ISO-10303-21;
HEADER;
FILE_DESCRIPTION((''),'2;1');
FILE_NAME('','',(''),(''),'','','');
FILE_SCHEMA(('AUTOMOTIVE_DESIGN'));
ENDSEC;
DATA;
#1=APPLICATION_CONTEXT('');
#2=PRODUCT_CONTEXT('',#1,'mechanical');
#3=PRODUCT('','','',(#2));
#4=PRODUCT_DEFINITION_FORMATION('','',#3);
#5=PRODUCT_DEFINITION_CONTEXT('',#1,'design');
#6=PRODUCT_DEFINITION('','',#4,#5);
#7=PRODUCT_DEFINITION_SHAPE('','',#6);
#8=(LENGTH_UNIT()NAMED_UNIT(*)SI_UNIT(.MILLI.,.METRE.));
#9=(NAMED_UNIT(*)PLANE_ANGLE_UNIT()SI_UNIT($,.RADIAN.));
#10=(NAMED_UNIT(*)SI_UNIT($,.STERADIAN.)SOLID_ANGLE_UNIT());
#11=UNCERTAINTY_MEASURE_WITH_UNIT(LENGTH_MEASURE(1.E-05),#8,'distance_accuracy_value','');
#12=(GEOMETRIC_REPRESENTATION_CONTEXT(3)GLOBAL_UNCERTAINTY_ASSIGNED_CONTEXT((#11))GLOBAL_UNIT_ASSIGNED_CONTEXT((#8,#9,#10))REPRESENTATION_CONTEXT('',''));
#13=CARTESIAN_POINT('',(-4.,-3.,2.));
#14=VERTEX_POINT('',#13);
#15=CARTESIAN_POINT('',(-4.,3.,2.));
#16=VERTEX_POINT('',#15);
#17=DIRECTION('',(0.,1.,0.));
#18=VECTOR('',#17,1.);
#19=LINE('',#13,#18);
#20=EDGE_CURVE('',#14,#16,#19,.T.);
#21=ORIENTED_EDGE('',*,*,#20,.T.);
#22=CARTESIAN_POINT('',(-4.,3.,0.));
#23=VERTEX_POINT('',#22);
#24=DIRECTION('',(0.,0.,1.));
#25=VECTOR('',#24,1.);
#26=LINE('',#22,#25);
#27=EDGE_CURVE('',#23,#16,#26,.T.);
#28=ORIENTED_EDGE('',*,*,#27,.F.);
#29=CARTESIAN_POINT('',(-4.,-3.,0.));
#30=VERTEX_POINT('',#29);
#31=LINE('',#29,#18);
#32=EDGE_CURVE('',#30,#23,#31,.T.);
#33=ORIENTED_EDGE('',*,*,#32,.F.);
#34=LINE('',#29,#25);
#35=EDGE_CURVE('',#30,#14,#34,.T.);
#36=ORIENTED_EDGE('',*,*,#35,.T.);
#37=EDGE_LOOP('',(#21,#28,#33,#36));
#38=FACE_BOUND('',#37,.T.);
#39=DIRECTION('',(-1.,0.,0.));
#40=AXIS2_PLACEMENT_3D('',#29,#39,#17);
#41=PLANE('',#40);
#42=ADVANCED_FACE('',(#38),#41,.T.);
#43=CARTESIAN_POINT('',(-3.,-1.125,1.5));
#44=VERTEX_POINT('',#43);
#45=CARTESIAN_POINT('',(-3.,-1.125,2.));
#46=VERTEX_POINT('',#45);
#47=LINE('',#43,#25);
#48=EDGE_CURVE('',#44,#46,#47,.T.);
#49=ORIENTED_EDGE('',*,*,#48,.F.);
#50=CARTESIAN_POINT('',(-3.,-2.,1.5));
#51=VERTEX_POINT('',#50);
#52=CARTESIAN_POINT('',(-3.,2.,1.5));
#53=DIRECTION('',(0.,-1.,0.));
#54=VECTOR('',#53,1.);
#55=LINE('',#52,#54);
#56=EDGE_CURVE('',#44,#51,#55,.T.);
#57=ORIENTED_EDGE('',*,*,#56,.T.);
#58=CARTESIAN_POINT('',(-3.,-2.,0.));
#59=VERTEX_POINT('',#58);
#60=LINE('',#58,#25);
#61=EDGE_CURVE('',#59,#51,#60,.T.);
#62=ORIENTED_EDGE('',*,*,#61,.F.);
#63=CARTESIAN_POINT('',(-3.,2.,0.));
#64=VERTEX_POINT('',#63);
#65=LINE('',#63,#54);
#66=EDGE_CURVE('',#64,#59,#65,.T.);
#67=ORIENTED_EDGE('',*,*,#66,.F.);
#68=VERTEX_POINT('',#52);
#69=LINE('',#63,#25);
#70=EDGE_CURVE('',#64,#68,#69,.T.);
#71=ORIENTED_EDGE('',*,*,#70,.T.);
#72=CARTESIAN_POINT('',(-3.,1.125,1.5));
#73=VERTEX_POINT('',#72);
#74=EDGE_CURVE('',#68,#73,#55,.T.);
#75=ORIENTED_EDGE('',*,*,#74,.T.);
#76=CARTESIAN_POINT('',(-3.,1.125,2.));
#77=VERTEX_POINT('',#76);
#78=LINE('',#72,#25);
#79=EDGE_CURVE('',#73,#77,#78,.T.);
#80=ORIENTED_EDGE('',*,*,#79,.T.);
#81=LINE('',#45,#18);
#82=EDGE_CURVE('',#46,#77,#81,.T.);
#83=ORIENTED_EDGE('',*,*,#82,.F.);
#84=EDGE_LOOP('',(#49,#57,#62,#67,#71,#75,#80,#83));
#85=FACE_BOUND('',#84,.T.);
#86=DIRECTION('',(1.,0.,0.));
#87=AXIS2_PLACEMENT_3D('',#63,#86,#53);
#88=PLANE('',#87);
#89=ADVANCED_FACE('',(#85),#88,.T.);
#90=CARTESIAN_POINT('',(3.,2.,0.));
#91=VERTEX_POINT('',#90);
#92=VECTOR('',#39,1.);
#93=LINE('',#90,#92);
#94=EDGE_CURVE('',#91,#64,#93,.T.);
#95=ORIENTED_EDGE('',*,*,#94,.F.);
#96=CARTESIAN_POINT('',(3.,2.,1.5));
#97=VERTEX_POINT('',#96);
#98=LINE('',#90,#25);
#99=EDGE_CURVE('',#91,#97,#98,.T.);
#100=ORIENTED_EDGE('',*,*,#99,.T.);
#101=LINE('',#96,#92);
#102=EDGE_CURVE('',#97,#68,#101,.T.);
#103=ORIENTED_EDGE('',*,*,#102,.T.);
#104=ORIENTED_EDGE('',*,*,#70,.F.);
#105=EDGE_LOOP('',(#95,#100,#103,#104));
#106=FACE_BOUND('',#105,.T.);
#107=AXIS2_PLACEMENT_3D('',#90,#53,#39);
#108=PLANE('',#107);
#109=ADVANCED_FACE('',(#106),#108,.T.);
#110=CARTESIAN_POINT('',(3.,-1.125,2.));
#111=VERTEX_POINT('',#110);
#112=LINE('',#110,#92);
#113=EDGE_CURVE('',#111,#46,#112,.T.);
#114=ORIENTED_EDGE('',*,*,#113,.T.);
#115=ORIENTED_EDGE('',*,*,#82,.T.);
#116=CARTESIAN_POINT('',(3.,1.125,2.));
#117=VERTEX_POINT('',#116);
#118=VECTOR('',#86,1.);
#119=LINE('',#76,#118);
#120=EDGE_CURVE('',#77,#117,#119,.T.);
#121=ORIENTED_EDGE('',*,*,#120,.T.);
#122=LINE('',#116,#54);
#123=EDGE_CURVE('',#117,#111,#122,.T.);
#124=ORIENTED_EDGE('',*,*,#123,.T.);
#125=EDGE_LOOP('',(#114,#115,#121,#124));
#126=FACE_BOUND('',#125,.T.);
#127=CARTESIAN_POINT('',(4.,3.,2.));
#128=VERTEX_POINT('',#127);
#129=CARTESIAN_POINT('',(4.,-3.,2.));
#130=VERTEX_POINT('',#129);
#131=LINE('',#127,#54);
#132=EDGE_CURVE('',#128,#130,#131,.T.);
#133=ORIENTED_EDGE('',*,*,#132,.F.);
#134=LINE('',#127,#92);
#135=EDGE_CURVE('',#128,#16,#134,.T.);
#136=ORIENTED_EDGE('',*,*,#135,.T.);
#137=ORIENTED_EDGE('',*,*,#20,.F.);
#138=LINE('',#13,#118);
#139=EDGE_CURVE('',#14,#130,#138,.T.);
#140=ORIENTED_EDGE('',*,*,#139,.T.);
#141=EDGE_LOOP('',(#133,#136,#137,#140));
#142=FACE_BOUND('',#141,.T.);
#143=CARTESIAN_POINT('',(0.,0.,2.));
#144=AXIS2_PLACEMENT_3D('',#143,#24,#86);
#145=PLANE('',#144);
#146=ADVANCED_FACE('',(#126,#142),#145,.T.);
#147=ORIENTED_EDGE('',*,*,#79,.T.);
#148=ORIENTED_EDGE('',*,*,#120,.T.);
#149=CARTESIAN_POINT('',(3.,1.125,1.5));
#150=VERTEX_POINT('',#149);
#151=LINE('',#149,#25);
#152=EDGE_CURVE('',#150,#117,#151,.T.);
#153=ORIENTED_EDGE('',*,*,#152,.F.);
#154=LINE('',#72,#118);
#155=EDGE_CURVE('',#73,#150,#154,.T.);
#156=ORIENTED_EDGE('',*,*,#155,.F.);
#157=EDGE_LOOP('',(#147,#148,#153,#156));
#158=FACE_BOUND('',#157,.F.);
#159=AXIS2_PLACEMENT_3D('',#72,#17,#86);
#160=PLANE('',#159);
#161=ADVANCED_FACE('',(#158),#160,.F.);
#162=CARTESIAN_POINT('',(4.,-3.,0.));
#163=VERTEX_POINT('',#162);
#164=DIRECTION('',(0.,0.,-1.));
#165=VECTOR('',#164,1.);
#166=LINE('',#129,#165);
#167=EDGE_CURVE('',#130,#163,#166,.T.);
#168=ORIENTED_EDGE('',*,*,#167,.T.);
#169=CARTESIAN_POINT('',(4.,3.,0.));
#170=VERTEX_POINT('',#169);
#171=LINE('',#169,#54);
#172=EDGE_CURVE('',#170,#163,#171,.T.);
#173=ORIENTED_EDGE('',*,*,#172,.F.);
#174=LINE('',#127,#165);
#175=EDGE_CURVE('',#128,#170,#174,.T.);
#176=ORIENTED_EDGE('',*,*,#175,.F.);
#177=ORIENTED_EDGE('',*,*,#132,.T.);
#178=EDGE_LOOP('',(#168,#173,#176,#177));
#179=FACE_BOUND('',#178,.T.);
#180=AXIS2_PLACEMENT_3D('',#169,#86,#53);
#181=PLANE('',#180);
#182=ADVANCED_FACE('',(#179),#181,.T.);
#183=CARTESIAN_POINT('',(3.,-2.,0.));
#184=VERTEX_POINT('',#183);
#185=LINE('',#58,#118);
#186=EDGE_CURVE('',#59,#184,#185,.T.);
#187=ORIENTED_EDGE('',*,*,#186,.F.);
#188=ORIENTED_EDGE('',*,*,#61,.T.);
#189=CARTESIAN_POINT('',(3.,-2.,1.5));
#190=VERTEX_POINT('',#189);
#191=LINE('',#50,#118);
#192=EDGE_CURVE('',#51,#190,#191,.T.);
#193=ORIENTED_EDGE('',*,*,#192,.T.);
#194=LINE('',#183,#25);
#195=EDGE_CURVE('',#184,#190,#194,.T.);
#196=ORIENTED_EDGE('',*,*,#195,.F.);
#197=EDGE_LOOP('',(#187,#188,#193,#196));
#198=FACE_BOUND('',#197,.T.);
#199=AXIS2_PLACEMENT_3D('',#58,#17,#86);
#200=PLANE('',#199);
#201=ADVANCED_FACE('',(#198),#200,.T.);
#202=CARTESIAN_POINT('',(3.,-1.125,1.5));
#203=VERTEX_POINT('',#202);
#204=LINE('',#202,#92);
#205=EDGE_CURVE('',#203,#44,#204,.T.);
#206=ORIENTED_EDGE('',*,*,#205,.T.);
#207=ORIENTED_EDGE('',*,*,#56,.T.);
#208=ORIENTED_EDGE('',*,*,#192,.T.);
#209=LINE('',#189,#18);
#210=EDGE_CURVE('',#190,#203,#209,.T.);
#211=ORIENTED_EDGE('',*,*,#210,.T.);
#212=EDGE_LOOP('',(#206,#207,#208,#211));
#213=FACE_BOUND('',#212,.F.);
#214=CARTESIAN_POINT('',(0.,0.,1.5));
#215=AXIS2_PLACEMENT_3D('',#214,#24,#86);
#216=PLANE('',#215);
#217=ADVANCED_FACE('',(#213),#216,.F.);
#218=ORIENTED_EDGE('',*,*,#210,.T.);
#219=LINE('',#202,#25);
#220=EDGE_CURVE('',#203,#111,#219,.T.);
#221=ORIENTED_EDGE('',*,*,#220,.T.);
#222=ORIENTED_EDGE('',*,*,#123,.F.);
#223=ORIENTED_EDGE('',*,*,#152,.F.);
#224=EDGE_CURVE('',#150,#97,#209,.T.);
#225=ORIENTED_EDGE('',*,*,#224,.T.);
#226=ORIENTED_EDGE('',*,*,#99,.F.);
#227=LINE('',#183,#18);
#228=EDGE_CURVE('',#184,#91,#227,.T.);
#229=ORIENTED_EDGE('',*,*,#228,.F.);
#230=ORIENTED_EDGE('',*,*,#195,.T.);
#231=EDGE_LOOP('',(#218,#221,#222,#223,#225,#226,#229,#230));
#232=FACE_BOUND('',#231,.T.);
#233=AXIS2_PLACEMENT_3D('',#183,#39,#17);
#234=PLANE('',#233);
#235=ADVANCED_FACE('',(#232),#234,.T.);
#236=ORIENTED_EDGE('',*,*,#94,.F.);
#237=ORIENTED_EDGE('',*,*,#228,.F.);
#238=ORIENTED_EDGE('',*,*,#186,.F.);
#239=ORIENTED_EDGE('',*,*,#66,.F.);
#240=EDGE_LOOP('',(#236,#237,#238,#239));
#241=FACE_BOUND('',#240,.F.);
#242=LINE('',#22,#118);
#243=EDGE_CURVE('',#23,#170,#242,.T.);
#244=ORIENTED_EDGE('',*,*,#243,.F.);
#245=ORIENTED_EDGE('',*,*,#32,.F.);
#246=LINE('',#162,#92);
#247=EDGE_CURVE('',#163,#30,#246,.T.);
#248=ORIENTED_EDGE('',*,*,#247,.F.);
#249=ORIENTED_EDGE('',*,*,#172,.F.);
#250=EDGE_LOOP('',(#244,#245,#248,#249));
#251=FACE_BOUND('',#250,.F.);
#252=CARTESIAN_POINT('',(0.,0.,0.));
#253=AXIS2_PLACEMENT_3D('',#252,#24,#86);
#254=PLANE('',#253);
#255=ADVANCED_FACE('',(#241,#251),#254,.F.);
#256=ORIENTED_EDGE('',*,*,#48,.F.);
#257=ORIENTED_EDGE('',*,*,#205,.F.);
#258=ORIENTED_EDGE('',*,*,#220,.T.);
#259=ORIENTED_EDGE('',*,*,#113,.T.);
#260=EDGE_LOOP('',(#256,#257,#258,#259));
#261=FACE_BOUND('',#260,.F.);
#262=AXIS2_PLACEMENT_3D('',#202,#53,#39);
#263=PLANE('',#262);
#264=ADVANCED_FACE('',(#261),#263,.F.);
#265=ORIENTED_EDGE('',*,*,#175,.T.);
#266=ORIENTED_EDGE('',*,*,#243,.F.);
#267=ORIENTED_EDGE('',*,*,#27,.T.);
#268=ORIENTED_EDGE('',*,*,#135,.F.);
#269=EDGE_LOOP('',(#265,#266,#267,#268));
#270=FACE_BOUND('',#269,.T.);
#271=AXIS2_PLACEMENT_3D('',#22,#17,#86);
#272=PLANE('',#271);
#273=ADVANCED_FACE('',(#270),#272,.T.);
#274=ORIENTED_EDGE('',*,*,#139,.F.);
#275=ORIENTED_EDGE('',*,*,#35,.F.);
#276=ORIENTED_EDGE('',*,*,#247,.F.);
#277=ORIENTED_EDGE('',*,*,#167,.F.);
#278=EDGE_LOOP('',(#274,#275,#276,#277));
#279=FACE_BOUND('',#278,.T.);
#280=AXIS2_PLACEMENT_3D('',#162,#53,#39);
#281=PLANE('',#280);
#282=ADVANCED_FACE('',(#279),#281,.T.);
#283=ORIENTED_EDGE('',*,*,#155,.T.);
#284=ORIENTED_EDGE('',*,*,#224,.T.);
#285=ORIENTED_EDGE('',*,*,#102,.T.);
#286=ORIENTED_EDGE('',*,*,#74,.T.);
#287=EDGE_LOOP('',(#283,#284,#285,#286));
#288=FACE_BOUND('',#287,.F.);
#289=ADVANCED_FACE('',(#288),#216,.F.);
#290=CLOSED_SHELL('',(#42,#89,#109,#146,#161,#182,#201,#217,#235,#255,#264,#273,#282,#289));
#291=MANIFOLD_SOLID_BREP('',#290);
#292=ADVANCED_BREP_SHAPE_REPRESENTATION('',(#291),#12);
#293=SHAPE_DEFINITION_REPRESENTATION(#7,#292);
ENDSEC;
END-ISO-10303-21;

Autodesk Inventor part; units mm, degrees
ref_plane "YZ Plane" through (0, 0, 0) normal (1, 0, 0) x (0, 1, 0)
ref_plane "XZ Plane" through (0, 0, 0) normal (0, 1, 0) x (-1, 0, 0)
ref_plane "XY Plane" through (0, 0, 0) normal (0, 0, 1) x (1, 0, 0)
sketch "Sketch1" plane through (0, 0, 0) normal (0, 0, 1) x (1, 0, 0)
  line L0 (-4, 3) -> (4, 3)
  line L1 (4, 3) -> (4, -3)
  line L2 (4, -3) -> (-4, -3)
  line L3 (-4, -3) -> (-4, 3)
  line L4 (-4, 3) -> (4, -3) construction
  line L5 (4, 3) -> (-4, -3) construction
  line L6 (3, 2) -> (-3, 2)
  line L7 (-3, 2) -> (-3, -2)
  line L8 (-3, -2) -> (3, -2)
  line L9 (3, -2) -> (3, 2)
  point P0 (0, 0)
  dimension "d0" = 8
  dimension "d1" = 6
  dimension "d2" = 1
extrude "Extrusion1" add sketch "Sketch1" along normal blind 1.5
sketch "Sketch2" plane through (0, 0, 1.5) normal (0, 0, 1) x (1, 0, 0)
  line L0 (4, 3) -> (-4, 3) projected
  line L1 (-4, -3) -> (4, -3) projected
  line L2 (-4, 3) -> (4, 3)
  line L3 (4, 3) -> (4, -3)
  line L4 (4, -3) -> (-4, -3)
  line L5 (-4, -3) -> (-4, 3)
  line L6 (-3, 1.125) -> (3, 1.125)
  line L7 (3, 1.125) -> (3, -1.125)
  line L8 (3, -1.125) -> (-3, -1.125)
  line L9 (-3, -1.125) -> (-3, 1.125)
  line L10 (-3, 1.125) -> (3, -1.125) construction
  line L11 (3, 1.125) -> (-3, -1.125) construction
  point P0 (0, 0)
  dimension "d5" = 6
  dimension "d6" = 2.25
extrude "Extrusion2" add sketch "Sketch2" along normal blind 0.5
properties part number "Opaque Rectangular Base" material "PET Plastic"
